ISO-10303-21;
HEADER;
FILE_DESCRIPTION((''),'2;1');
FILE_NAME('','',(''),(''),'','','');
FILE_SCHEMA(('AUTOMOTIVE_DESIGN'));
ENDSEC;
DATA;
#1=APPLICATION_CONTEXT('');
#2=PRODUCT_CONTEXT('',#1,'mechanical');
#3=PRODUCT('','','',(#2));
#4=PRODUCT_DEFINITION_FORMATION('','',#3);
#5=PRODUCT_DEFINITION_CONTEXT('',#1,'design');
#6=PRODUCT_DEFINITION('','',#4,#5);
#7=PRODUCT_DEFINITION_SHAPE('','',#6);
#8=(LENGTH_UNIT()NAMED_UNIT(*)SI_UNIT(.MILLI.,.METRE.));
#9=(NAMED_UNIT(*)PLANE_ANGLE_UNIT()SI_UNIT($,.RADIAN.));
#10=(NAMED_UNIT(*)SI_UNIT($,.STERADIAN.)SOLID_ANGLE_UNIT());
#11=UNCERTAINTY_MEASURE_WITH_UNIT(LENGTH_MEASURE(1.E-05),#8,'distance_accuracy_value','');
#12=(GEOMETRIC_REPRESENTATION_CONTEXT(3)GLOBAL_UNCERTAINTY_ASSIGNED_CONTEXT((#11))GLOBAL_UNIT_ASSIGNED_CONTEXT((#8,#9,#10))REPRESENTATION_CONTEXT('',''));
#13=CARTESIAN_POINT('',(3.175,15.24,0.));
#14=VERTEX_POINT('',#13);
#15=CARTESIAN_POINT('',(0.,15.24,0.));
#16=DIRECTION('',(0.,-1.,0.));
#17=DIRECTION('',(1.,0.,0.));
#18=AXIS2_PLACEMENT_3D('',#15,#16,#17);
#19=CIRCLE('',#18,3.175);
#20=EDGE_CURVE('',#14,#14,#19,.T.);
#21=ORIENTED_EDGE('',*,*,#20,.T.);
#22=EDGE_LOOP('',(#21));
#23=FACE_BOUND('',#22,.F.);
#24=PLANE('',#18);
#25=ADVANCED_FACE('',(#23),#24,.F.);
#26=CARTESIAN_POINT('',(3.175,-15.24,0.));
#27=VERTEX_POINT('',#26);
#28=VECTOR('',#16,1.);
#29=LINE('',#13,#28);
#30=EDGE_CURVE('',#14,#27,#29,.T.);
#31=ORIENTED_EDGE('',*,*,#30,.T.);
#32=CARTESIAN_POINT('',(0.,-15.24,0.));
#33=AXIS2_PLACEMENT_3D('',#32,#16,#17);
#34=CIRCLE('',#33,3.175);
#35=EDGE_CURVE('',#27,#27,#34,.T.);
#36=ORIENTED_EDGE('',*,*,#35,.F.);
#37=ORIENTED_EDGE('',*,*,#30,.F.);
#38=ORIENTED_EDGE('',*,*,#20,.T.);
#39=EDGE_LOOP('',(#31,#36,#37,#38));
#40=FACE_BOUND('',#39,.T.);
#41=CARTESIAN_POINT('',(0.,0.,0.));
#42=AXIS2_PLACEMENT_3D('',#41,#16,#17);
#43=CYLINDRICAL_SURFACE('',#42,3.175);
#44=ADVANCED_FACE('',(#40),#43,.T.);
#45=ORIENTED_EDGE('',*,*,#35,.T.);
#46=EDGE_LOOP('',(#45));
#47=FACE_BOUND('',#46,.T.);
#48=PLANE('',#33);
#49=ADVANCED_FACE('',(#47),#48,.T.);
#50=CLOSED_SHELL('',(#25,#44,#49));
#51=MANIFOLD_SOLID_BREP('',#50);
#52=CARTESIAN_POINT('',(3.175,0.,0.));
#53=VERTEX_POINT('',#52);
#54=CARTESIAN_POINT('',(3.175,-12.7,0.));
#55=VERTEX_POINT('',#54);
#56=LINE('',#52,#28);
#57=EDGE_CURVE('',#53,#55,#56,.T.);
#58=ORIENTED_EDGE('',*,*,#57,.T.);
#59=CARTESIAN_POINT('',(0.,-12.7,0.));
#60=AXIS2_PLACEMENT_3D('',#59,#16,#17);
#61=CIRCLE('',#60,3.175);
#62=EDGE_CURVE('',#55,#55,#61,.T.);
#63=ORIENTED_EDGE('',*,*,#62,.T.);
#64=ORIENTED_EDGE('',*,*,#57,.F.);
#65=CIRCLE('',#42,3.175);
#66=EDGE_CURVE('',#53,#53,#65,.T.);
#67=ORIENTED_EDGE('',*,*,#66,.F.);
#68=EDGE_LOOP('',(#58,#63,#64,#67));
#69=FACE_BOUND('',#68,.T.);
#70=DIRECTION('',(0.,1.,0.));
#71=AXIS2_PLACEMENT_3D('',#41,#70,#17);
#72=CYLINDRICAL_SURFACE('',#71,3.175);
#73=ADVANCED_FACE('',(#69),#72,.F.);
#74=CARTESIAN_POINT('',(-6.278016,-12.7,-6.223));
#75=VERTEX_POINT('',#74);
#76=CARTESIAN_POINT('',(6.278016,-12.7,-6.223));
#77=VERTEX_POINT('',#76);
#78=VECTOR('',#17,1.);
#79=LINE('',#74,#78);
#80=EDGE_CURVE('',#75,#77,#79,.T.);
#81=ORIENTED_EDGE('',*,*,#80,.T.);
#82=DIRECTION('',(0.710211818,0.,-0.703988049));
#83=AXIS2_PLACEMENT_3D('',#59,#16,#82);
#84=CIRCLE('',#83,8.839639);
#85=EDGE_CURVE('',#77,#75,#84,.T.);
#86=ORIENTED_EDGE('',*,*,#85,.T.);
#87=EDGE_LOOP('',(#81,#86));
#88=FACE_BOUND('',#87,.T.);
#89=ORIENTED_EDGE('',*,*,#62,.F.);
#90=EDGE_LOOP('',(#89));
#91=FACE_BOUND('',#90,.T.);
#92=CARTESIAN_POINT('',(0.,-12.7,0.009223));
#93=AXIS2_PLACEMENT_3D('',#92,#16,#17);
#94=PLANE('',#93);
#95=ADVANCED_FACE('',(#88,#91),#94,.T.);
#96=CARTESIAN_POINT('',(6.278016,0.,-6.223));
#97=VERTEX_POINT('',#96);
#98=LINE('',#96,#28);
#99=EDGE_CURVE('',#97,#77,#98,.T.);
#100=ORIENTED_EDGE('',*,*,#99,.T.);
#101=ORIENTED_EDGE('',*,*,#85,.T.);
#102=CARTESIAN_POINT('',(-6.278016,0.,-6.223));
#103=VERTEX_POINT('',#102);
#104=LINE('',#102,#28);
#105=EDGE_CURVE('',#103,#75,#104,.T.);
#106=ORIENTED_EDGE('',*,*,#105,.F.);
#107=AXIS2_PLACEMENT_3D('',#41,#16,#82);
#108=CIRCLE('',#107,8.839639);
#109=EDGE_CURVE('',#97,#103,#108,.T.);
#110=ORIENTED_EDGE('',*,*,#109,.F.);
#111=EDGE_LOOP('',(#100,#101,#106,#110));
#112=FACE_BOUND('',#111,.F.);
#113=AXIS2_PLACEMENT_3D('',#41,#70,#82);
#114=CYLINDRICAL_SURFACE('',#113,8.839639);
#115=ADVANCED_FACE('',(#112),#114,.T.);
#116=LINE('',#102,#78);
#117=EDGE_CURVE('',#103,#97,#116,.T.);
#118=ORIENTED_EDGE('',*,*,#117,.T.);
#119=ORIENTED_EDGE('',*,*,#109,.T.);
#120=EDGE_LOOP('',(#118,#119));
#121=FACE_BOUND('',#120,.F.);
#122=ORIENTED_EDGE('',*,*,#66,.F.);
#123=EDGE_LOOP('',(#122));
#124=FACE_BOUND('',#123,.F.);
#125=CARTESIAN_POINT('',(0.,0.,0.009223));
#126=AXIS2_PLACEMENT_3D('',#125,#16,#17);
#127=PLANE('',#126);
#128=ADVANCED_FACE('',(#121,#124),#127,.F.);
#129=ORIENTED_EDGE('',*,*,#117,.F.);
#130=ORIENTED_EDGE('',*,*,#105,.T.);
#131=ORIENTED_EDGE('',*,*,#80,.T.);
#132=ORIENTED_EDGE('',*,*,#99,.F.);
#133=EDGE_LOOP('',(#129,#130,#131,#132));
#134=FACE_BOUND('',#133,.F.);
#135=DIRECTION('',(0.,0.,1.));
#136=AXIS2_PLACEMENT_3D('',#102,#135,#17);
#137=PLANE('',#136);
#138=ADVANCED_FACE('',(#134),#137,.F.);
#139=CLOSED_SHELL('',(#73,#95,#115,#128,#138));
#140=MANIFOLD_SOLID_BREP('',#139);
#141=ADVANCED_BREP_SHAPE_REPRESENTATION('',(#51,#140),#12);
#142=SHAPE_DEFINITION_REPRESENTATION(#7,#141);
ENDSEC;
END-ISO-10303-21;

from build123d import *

# Parameters (mm, degrees)
F0_R     = 3.175
F2_DEPTH = 12.7
F1_R     = 3.175
F3_DEPTH = 15.24


with BuildPart() as f2:
    # F0 (on Front) → F2 (new body)
    with BuildSketch(Plane.XZ):
        with BuildLine():
            ThreePointArc((6.278016, -6.223), (0, 8.839639), (-6.278016, -6.223))
            Line((-6.278016, -6.223), (6.278016, -6.223))
        make_face()
        Circle(F0_R, mode=Mode.SUBTRACT)
    extrude(amount=F2_DEPTH)


with BuildPart() as f3:
    # F1 (on face) → F3 (new body, symmetric)
    with BuildSketch(Plane.XZ):
        Circle(F1_R)
    extrude(amount=F3_DEPTH, both=True)


solid = Compound([f2.part, f3.part])
